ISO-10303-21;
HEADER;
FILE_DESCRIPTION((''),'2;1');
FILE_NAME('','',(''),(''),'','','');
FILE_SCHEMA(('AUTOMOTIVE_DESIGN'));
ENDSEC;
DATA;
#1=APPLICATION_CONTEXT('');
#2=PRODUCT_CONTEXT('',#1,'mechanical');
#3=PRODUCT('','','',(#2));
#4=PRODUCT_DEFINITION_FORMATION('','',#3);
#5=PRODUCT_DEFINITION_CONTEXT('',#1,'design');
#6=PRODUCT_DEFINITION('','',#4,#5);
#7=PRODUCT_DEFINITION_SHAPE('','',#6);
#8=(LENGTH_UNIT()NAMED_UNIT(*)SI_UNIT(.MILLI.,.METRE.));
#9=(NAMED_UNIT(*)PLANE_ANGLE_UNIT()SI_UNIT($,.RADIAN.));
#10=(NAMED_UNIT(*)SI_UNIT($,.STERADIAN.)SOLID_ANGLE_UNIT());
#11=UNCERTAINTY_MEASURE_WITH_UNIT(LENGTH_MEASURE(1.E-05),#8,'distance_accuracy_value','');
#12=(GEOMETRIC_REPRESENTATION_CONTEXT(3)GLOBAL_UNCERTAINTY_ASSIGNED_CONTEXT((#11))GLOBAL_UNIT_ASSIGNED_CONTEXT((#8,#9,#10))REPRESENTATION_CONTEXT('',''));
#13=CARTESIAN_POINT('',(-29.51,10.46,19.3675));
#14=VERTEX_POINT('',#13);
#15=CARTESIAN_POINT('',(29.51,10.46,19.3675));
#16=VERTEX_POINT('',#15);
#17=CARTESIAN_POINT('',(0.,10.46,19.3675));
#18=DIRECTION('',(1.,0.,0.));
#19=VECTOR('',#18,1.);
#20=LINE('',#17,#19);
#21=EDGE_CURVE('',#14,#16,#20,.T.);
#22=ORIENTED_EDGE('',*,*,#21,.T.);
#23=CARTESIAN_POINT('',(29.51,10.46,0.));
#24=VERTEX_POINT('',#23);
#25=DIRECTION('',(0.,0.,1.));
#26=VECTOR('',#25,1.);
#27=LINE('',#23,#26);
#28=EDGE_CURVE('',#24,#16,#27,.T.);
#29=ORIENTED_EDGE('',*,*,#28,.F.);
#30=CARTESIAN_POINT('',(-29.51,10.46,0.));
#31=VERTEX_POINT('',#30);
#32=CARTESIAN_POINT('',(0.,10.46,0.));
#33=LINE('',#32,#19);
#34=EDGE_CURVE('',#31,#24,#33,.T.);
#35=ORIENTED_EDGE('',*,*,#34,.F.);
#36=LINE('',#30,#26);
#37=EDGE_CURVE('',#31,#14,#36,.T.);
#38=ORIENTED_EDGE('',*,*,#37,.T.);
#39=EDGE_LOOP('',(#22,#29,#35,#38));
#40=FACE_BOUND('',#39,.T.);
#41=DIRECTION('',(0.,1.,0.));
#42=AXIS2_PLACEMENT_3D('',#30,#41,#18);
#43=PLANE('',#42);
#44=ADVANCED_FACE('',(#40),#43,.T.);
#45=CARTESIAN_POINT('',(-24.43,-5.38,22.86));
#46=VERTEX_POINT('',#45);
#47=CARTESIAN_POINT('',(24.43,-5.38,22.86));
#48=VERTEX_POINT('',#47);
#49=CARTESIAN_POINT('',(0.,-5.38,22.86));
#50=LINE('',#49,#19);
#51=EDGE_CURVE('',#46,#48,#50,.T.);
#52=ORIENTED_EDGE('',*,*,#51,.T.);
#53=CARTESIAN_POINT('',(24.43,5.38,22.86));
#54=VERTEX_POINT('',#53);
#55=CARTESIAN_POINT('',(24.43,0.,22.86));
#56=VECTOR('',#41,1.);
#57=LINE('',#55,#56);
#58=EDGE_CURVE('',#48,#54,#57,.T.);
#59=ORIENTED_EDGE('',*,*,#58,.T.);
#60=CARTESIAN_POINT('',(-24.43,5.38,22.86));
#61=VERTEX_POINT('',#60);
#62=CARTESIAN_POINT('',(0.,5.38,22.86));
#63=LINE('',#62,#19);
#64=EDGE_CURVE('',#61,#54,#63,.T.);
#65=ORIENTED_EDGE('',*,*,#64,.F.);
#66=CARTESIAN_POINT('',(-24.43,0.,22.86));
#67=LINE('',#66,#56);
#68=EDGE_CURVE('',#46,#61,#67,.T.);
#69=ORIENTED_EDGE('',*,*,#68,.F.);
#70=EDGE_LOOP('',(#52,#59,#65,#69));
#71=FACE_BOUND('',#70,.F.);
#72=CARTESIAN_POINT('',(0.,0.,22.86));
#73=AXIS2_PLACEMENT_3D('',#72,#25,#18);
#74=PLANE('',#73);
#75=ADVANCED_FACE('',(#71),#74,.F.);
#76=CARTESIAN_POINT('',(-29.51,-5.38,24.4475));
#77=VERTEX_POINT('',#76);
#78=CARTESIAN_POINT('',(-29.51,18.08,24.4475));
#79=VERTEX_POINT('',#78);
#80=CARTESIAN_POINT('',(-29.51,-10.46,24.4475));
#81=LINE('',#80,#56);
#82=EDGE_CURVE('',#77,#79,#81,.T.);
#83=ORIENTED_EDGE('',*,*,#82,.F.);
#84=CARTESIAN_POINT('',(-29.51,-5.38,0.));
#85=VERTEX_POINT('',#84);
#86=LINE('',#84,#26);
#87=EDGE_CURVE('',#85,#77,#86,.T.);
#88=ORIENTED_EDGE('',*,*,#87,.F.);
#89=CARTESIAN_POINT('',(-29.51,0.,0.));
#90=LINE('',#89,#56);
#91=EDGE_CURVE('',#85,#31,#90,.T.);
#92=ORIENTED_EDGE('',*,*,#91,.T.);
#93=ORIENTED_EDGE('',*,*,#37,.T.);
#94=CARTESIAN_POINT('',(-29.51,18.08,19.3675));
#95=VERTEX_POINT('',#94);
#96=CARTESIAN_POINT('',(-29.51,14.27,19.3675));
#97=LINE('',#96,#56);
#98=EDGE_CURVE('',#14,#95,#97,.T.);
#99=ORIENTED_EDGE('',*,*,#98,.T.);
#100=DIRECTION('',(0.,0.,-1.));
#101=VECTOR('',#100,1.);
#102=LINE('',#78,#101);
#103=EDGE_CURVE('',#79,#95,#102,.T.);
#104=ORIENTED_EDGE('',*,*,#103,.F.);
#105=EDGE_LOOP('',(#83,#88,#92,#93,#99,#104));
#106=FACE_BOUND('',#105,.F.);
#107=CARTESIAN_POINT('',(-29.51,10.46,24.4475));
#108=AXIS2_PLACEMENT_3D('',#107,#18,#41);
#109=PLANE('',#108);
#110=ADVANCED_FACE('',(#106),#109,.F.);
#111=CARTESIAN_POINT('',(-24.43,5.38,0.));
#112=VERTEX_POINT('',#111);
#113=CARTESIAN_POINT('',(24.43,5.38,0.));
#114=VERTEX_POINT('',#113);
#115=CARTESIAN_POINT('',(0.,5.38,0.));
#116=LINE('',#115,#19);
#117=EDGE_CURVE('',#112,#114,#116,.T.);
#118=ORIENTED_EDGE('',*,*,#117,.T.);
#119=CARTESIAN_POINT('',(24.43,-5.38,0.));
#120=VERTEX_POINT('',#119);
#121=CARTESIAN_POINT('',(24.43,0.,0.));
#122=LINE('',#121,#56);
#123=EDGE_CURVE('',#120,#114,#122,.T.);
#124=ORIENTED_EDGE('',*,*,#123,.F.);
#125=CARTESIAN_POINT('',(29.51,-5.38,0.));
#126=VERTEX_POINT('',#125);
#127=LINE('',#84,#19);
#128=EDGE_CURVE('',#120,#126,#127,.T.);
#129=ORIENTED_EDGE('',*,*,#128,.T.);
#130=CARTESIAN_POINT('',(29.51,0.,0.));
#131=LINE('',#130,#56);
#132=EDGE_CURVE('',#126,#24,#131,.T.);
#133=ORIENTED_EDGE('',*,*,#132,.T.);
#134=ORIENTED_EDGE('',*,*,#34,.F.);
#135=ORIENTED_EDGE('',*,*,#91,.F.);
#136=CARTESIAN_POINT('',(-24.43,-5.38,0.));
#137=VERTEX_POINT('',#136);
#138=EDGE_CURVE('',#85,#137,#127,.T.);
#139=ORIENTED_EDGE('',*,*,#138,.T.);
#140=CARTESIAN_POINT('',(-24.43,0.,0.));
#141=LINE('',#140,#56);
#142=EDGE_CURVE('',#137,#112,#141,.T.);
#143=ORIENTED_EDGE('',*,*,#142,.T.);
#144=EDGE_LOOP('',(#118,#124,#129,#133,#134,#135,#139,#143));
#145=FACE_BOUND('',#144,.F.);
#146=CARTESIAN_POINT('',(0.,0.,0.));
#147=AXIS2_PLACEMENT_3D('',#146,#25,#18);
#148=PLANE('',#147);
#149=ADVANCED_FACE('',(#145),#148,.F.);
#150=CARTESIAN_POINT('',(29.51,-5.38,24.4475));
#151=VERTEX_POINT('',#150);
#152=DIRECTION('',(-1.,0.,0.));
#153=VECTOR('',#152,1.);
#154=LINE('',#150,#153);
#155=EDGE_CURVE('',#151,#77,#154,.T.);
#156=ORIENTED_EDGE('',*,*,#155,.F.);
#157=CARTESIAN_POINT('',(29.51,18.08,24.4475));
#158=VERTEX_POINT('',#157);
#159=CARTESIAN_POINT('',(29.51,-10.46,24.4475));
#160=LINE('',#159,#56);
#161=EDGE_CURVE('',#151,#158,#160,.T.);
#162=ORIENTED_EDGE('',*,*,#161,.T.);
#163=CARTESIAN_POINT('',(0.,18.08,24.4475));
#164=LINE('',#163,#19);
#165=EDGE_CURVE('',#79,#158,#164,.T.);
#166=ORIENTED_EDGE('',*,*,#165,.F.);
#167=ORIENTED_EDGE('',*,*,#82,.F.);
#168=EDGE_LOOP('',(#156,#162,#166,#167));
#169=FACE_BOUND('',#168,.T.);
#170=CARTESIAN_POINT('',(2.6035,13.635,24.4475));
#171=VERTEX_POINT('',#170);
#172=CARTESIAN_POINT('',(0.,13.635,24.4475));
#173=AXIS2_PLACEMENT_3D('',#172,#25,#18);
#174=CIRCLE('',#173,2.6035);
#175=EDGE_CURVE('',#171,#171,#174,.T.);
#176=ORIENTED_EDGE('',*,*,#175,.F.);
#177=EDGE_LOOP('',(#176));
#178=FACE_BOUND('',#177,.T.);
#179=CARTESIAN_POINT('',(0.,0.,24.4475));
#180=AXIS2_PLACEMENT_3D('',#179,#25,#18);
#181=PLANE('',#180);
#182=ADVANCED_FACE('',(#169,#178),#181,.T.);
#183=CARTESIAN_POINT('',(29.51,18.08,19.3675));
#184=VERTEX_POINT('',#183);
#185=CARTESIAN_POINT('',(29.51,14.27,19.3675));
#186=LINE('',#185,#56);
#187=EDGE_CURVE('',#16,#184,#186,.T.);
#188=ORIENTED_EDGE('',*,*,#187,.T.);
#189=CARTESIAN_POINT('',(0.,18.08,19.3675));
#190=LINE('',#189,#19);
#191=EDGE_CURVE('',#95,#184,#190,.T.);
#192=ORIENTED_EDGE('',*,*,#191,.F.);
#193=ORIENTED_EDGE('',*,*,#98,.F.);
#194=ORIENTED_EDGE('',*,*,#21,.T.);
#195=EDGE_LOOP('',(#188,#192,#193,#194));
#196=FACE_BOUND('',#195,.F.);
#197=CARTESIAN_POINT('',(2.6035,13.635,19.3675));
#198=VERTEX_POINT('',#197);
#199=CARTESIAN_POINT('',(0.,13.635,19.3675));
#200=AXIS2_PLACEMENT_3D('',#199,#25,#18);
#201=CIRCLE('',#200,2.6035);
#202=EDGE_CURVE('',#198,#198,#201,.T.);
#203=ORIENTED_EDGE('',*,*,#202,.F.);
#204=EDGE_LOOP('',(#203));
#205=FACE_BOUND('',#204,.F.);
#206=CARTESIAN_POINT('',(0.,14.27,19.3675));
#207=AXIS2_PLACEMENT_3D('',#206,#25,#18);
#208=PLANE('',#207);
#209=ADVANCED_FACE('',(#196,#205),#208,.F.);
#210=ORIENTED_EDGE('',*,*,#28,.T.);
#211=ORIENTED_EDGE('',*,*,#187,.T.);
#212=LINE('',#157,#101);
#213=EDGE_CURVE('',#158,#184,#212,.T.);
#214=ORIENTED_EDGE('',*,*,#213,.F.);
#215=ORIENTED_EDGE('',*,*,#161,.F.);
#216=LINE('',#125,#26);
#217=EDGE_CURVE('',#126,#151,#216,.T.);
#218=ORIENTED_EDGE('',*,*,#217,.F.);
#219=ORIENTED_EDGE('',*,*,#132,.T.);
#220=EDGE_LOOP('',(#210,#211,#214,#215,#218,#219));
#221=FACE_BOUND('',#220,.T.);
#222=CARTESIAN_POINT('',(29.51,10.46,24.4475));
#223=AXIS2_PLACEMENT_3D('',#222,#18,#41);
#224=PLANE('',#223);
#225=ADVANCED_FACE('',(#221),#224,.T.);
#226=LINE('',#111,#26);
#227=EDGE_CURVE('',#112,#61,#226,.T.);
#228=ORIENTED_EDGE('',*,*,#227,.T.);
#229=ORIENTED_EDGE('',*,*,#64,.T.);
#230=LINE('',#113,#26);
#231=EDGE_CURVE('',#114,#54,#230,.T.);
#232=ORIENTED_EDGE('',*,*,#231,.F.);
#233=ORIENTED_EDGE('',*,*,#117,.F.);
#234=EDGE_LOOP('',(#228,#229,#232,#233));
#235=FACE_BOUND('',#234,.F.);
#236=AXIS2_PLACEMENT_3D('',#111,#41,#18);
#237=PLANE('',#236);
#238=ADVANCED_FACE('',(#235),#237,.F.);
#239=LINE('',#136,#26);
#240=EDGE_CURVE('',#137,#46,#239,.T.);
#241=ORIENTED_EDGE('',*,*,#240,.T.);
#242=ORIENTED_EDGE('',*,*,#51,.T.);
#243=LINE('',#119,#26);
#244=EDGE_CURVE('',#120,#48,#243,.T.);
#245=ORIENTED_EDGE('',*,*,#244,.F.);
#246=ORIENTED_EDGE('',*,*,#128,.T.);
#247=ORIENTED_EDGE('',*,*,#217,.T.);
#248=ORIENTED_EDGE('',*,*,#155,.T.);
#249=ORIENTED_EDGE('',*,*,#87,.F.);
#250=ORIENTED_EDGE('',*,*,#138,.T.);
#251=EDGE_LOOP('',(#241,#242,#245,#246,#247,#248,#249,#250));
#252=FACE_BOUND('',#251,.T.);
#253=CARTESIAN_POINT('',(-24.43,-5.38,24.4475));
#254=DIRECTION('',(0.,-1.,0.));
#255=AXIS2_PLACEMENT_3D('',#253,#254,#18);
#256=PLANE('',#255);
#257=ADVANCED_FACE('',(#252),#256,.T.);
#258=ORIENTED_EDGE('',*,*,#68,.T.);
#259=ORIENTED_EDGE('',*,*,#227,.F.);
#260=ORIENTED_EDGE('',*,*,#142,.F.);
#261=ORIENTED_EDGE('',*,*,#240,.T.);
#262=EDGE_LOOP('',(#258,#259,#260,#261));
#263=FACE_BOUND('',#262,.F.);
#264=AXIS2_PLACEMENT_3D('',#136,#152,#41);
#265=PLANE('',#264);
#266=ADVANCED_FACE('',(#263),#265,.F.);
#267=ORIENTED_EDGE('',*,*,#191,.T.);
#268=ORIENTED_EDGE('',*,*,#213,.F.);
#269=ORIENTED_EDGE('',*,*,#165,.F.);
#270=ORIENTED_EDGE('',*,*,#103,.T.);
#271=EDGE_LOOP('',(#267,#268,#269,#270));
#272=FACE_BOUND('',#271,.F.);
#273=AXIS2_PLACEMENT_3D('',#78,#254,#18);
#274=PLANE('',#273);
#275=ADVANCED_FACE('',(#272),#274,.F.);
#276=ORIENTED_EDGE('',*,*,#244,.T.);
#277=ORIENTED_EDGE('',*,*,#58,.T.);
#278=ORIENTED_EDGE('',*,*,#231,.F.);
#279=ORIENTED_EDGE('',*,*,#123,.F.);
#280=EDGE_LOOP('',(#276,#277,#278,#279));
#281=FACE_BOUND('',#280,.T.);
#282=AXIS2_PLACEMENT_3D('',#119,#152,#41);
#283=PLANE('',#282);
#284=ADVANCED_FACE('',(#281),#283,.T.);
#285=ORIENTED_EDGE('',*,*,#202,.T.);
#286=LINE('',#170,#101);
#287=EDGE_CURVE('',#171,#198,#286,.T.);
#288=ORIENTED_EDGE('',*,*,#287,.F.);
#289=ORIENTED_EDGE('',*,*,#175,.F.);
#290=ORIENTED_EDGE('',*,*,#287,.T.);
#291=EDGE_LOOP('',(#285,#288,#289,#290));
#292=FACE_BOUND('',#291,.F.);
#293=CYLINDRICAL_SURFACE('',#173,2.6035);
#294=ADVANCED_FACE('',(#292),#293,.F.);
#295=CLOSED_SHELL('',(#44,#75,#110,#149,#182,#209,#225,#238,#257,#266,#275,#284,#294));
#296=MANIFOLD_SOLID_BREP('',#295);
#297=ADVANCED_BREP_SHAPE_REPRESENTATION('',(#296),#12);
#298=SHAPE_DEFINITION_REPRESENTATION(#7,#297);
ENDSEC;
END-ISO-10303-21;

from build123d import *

# Parameters (mm, degrees)
F0_W     = 59.02
F0_H     = 20.92
F0_W_2   = 48.86
F0_H_2   = 10.76
F1_DEPTH = 24.4475
F2_W     = 59.02
F2_H     = 7.62
F2_R     = 2.6035
F3_DEPTH = 5.08
F5_DEPTH = 24.4485
F6_W     = 48.86
F6_H     = 10.76
F7_DEPTH = 1.5875


with BuildPart() as f1:
    # F0 (on Top) → F1 (new body)
    with BuildSketch(Plane.XY):
        Rectangle(F0_W, F0_H)
        Rectangle(F0_W_2, F0_H_2, mode=Mode.SUBTRACT)
    extrude(amount=F1_DEPTH)

    # F2 (on face) → F3 (join)
    with BuildSketch(Plane.XY.offset(24.4475)):
        with Locations((0, 14.27)):
            Rectangle(F2_W, F2_H)
        with Locations((0, 13.635)):
            Circle(F2_R, mode=Mode.SUBTRACT)
    extrude(amount=-F3_DEPTH)

    # F4 (on face) → F5 (cut, through all)
    with BuildSketch(Plane(origin=(0, 0, 0), x_dir=(1, 0, 0), z_dir=(0, 0, -1))):
        Polygon((24.43, 5.38), (29.51, 5.38), (29.51, 10.46), (-29.51, 10.46), (-29.51, 5.38), (-24.43, 5.38), align=None)
    extrude(amount=-F5_DEPTH, mode=Mode.SUBTRACT)

    # F6 (on face) → F7 (join)
    with BuildSketch(Plane.XY.offset(24.4475)):
        Rectangle(F6_W, F6_H)
    extrude(amount=-F7_DEPTH)


solid = f1.part
